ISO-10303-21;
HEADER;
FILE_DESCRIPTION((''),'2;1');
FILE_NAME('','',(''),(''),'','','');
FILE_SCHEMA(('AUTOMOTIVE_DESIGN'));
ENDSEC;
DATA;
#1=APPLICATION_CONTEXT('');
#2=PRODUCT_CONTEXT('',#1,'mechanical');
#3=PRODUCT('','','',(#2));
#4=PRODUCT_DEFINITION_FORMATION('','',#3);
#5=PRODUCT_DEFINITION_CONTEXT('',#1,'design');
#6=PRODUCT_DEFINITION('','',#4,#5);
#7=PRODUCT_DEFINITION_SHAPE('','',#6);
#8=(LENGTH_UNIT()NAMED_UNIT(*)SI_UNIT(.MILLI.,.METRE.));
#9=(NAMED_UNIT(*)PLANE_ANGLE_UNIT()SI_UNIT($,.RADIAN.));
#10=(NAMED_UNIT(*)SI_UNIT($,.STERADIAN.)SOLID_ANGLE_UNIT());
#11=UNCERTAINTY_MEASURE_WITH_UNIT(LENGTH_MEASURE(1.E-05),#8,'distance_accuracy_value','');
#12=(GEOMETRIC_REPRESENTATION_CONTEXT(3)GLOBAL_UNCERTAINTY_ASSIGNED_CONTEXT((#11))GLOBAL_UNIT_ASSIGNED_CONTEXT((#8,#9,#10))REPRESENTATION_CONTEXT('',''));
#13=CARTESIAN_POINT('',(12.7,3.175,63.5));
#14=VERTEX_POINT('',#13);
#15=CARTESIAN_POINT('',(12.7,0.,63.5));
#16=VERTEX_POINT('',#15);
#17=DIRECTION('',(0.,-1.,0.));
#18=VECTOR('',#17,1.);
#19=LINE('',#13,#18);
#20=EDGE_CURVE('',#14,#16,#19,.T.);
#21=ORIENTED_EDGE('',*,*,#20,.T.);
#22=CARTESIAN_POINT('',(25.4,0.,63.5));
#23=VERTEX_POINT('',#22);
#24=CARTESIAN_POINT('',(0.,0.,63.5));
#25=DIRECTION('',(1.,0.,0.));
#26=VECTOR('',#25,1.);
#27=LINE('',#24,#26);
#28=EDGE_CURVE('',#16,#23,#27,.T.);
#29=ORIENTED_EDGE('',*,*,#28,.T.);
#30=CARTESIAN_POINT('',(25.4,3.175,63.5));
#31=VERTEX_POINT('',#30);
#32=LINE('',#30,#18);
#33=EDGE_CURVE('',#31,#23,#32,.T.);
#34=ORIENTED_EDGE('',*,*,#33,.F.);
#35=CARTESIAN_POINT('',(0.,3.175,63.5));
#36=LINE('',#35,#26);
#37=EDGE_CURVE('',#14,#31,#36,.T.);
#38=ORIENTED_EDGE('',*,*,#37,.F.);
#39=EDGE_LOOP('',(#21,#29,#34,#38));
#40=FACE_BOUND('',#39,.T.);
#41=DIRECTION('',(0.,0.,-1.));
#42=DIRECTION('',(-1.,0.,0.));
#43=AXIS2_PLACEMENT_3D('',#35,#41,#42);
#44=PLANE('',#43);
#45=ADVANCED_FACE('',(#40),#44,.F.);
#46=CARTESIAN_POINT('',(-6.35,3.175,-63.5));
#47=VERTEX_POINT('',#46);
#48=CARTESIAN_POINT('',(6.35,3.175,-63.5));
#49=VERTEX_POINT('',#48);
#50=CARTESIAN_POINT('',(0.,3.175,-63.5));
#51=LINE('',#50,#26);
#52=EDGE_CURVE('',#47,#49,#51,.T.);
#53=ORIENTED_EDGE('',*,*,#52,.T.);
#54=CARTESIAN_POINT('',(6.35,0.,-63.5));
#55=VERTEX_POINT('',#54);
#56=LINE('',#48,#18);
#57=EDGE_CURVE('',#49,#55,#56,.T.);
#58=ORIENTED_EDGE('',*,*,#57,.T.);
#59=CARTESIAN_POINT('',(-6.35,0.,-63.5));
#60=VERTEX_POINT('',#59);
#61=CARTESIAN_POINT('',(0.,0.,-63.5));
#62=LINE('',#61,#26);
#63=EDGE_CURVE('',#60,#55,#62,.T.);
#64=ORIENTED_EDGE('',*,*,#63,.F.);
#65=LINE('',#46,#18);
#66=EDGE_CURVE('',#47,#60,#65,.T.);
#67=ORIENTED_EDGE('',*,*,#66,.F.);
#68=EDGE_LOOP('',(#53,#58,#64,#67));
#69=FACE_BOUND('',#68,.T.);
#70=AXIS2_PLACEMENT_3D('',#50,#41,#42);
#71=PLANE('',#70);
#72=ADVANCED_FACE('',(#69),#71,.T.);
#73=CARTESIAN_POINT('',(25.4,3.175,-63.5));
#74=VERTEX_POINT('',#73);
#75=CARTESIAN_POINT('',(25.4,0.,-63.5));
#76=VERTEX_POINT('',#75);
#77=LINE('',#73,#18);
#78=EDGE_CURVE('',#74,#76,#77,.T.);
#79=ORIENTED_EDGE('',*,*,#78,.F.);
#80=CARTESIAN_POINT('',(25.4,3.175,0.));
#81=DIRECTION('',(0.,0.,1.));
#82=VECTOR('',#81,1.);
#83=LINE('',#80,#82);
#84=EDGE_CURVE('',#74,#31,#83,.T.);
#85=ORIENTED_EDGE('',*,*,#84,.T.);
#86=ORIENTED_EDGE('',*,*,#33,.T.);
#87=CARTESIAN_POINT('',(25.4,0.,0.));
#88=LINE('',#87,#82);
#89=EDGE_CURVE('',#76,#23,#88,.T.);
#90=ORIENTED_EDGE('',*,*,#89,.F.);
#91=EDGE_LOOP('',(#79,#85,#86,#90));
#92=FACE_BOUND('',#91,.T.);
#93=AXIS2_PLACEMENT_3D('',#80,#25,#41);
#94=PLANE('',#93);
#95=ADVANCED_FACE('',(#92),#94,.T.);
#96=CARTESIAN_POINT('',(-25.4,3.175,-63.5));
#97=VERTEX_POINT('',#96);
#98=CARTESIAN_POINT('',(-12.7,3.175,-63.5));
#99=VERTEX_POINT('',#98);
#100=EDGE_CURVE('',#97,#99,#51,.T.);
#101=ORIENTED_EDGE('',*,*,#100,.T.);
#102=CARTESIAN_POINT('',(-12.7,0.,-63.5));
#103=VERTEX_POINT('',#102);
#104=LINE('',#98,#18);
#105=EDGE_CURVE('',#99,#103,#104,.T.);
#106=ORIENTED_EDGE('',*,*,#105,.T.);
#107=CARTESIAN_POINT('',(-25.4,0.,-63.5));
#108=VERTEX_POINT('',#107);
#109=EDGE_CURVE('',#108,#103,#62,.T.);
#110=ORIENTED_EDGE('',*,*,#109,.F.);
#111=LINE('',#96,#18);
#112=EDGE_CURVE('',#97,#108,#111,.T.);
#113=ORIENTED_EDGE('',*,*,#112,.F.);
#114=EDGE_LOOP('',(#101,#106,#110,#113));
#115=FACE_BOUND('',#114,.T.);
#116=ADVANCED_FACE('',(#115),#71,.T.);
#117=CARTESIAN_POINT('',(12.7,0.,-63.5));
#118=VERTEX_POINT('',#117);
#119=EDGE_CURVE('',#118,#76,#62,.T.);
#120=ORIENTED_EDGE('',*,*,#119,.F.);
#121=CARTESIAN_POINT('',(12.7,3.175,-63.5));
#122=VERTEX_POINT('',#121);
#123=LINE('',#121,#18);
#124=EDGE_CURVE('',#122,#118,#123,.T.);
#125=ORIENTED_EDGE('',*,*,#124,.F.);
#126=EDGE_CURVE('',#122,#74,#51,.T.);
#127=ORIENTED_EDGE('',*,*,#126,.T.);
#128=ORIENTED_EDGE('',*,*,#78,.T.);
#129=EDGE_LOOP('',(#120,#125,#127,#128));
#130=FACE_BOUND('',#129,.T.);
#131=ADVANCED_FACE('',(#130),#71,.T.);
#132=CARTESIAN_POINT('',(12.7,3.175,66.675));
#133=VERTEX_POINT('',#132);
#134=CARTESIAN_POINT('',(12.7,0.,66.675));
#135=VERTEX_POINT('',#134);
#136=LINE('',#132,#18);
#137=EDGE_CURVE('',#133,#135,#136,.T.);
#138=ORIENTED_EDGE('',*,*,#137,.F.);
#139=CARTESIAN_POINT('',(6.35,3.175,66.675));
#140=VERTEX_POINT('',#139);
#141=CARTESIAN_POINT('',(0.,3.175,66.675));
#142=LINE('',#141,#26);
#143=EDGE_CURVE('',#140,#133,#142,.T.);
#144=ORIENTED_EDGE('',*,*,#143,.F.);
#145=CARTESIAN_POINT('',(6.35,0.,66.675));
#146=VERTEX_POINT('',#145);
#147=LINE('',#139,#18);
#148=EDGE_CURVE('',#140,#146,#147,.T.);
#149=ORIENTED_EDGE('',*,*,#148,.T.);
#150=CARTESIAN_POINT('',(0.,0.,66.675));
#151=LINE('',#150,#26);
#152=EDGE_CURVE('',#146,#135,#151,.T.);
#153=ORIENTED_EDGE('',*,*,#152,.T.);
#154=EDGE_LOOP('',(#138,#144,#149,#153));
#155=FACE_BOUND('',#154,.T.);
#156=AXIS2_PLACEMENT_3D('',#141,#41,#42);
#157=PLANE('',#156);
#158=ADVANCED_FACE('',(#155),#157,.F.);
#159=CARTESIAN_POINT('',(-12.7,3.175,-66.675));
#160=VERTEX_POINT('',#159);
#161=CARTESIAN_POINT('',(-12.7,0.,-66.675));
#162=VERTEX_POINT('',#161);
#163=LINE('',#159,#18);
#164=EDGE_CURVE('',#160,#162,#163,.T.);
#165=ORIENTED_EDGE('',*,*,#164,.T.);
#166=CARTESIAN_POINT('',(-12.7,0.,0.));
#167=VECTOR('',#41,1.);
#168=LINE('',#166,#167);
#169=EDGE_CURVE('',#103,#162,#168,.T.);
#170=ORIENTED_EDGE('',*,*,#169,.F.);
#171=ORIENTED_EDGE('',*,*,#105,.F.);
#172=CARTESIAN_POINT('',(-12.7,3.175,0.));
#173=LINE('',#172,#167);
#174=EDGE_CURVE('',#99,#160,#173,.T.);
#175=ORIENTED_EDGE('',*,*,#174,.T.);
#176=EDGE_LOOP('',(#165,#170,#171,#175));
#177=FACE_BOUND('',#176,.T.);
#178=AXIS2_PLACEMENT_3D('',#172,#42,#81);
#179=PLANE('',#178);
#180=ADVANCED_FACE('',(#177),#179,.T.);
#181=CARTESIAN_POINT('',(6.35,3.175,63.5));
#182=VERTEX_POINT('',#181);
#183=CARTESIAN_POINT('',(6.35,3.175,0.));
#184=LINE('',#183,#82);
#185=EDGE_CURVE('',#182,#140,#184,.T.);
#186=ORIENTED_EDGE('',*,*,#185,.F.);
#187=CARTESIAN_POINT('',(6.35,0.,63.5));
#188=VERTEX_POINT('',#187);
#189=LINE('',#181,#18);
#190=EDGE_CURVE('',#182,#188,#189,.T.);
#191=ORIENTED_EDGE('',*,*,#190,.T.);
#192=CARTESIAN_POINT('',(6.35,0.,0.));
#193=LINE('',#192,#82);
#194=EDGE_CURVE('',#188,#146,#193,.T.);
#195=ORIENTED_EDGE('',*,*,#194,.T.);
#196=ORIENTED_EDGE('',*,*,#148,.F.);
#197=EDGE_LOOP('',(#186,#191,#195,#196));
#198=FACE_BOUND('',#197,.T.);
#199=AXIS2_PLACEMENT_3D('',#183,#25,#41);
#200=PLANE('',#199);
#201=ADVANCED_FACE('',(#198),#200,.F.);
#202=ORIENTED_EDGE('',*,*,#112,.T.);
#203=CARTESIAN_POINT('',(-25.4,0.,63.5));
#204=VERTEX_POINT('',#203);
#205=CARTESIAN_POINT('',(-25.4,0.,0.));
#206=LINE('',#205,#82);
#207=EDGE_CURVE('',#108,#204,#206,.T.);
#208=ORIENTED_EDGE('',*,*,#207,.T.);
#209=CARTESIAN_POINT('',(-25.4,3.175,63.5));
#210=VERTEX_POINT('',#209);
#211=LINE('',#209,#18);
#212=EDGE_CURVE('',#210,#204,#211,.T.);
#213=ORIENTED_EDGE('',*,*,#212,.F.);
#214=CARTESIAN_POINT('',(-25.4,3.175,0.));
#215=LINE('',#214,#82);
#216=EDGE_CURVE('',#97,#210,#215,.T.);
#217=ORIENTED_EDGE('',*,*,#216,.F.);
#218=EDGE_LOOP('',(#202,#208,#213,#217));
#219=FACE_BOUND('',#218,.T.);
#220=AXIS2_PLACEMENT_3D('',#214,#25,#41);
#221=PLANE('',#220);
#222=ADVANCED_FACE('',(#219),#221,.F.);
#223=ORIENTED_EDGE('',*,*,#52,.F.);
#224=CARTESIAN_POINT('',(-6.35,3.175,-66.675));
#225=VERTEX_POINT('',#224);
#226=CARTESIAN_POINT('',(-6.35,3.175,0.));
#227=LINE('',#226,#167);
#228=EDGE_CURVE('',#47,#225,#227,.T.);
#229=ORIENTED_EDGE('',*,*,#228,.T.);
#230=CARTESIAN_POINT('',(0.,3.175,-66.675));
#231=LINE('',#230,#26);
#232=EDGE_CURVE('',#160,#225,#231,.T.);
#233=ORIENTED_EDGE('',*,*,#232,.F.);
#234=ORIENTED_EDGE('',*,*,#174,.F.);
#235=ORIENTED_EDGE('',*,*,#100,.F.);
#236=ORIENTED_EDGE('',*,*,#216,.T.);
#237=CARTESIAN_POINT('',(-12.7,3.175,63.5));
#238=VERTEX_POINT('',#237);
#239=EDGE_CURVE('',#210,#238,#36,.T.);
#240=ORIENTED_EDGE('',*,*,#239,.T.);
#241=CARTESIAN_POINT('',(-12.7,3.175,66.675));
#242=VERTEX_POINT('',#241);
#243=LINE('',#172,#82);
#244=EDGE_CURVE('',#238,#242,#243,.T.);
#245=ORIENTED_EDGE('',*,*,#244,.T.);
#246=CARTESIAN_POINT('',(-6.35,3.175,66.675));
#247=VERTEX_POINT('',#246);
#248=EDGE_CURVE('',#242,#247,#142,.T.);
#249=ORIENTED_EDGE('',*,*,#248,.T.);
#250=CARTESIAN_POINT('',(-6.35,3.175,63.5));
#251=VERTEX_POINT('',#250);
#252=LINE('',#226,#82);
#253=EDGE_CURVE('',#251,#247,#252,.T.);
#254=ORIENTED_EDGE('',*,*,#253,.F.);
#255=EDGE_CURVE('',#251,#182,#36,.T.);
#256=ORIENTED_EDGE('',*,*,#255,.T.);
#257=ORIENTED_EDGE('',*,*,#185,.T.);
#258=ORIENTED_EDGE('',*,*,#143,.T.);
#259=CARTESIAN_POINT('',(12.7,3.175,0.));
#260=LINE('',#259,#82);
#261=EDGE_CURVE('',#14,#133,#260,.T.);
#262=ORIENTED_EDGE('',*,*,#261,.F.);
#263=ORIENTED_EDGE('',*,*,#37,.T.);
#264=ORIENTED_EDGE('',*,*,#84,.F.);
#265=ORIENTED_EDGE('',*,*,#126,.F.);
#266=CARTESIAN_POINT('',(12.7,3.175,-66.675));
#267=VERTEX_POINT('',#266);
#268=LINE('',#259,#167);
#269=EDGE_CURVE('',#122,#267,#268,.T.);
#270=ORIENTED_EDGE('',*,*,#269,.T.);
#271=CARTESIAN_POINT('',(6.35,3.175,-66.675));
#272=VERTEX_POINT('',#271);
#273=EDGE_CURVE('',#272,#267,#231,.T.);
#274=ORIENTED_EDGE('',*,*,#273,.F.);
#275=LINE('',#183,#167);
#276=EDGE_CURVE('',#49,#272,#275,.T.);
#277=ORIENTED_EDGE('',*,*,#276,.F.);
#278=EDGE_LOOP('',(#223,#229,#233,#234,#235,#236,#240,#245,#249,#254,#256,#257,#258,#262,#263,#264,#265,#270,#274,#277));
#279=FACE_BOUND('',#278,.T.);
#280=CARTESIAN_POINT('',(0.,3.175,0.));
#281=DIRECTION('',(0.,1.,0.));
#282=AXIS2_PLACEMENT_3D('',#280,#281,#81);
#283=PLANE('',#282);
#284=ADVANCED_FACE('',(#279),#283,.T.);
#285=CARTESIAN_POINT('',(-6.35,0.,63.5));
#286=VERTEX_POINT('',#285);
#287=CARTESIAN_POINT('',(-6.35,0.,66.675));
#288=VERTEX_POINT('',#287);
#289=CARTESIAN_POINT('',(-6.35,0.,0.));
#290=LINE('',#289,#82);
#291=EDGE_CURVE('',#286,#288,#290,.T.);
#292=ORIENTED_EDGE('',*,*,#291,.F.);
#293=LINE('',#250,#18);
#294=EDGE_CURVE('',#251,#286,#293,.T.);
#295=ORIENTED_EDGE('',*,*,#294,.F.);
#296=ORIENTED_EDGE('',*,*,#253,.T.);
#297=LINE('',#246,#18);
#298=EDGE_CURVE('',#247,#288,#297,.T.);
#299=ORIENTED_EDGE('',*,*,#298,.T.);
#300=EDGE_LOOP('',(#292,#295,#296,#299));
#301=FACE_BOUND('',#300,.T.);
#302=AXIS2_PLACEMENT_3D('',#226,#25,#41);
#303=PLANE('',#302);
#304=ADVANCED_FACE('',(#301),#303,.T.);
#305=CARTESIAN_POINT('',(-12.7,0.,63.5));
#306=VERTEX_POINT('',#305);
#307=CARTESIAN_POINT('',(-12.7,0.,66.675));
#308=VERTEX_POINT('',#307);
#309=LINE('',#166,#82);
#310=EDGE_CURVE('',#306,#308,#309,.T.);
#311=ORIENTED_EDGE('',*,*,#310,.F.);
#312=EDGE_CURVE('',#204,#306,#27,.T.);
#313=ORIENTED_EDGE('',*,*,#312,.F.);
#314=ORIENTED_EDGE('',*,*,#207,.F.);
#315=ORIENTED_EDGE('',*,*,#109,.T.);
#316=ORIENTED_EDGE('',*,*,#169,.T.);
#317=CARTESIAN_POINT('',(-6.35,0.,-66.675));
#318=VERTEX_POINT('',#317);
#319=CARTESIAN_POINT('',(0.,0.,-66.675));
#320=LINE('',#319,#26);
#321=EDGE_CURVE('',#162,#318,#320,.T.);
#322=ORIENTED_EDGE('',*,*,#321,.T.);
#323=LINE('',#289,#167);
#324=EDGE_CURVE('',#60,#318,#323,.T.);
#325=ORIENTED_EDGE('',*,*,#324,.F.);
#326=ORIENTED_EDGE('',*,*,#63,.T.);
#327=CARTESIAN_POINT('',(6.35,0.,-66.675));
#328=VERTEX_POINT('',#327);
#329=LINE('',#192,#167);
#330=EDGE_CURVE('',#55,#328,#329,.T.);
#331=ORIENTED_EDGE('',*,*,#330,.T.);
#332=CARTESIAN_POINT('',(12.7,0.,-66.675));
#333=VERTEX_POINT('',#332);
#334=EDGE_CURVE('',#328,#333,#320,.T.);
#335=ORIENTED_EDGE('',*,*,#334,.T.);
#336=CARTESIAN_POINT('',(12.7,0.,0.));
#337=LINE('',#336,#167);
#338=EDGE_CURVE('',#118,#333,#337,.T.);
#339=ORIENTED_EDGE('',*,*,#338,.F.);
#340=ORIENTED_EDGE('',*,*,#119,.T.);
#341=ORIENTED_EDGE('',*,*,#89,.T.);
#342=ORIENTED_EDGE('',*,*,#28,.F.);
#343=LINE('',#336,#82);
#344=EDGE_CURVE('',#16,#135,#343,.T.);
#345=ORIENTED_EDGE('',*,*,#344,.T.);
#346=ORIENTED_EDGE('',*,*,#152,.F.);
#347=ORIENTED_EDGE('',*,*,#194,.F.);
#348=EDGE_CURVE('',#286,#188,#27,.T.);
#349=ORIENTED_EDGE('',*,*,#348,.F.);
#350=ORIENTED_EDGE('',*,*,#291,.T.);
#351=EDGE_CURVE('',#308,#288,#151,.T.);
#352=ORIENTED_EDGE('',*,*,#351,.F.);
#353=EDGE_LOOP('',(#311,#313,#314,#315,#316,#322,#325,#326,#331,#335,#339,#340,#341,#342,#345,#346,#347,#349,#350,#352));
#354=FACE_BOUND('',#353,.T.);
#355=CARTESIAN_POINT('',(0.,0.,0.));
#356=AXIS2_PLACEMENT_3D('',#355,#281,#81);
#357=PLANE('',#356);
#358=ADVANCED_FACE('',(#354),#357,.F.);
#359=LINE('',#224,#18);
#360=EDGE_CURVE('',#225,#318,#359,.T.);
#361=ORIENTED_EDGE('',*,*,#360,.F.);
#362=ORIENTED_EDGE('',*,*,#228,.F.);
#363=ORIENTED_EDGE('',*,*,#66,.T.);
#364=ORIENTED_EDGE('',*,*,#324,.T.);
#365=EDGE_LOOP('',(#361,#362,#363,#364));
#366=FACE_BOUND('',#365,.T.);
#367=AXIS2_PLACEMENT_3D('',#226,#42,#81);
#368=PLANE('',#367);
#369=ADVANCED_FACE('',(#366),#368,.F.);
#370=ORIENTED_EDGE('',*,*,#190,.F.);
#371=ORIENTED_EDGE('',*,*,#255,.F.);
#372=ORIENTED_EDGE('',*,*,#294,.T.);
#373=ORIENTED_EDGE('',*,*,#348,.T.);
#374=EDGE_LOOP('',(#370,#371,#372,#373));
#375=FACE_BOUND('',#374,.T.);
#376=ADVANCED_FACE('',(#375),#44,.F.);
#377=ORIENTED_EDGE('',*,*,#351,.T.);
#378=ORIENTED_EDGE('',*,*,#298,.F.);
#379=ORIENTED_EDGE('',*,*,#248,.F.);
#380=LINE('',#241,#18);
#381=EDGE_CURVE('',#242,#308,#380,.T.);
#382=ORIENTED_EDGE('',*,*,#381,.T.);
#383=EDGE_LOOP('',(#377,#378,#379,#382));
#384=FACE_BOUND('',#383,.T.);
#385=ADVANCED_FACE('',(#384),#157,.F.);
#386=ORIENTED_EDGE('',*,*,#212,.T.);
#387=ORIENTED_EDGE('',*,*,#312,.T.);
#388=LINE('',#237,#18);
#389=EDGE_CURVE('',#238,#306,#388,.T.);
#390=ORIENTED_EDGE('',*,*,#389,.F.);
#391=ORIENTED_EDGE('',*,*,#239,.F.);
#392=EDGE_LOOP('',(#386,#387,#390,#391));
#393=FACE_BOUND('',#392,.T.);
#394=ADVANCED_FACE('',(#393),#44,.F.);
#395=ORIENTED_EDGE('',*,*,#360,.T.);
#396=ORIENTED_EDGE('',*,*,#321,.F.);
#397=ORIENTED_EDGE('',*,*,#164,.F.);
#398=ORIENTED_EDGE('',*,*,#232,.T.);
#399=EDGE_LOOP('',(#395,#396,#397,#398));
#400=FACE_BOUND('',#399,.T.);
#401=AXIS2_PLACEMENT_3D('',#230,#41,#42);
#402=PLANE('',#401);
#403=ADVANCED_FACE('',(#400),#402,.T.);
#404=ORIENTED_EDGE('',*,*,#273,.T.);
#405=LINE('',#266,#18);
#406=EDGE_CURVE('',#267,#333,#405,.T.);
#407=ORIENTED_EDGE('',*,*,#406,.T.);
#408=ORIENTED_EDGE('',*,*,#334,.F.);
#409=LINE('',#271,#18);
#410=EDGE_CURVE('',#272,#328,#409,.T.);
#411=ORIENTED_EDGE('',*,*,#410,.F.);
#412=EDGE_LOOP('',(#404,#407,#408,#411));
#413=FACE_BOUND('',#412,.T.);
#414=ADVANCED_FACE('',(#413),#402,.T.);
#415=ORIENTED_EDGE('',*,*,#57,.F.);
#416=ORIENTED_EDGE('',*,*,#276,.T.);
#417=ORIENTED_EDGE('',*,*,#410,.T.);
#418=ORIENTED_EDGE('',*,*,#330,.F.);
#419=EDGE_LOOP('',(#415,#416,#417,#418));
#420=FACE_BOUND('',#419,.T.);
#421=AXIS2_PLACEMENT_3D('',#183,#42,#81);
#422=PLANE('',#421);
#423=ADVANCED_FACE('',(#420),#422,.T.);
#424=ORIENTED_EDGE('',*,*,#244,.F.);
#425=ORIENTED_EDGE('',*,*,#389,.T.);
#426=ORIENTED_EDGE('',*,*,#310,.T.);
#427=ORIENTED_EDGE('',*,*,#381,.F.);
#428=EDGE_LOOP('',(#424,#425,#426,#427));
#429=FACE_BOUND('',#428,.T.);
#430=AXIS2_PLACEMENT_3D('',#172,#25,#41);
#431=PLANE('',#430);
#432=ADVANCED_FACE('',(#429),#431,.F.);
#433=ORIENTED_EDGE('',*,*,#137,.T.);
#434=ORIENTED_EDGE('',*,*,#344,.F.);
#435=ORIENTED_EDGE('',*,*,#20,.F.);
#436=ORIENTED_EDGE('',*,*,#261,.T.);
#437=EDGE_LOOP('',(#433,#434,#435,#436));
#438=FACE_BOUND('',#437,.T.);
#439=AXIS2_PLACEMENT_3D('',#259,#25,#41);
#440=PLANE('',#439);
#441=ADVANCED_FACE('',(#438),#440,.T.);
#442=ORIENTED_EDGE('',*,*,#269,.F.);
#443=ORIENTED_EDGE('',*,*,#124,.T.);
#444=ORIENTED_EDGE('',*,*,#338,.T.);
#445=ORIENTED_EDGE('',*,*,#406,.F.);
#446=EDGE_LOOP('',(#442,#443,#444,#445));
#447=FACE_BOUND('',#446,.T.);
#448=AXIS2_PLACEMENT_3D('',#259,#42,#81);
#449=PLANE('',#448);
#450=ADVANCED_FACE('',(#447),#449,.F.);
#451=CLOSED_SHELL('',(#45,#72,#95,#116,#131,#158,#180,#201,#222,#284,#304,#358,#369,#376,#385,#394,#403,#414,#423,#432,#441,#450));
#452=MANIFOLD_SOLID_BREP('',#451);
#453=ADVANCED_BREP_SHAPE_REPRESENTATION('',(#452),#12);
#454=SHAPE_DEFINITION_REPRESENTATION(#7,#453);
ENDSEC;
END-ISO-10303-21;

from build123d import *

# Parameters (mm, degrees)
SKETCH1_W           = 50.8
SKETCH1_H           = 127
SKETCH1_W_2         = 6.35
SKETCH1_H_2         = 3.175
BOSS_EXTRUDE1_DEPTH = 3.175


with BuildPart() as part:
    # Sketch1 → Boss-Extrude1 (new body)
    with BuildSketch(Plane(origin=(0, 0, 0), x_dir=(1, 0, 0), z_dir=(0, 1, 0))):
        Rectangle(SKETCH1_W, SKETCH1_H)
        with Locations((9.525, -65.0875)):
            Rectangle(SKETCH1_W_2, SKETCH1_H_2)
        with Locations((-9.525, -65.0875)):
            Rectangle(SKETCH1_W_2, SKETCH1_H_2)
        with Locations((-9.525, 65.0875)):
            Rectangle(SKETCH1_W_2, SKETCH1_H_2)
        with Locations((9.525, 65.0875)):
            Rectangle(SKETCH1_W_2, SKETCH1_H_2)
    extrude(amount=BOSS_EXTRUDE1_DEPTH)


solid = part.part
